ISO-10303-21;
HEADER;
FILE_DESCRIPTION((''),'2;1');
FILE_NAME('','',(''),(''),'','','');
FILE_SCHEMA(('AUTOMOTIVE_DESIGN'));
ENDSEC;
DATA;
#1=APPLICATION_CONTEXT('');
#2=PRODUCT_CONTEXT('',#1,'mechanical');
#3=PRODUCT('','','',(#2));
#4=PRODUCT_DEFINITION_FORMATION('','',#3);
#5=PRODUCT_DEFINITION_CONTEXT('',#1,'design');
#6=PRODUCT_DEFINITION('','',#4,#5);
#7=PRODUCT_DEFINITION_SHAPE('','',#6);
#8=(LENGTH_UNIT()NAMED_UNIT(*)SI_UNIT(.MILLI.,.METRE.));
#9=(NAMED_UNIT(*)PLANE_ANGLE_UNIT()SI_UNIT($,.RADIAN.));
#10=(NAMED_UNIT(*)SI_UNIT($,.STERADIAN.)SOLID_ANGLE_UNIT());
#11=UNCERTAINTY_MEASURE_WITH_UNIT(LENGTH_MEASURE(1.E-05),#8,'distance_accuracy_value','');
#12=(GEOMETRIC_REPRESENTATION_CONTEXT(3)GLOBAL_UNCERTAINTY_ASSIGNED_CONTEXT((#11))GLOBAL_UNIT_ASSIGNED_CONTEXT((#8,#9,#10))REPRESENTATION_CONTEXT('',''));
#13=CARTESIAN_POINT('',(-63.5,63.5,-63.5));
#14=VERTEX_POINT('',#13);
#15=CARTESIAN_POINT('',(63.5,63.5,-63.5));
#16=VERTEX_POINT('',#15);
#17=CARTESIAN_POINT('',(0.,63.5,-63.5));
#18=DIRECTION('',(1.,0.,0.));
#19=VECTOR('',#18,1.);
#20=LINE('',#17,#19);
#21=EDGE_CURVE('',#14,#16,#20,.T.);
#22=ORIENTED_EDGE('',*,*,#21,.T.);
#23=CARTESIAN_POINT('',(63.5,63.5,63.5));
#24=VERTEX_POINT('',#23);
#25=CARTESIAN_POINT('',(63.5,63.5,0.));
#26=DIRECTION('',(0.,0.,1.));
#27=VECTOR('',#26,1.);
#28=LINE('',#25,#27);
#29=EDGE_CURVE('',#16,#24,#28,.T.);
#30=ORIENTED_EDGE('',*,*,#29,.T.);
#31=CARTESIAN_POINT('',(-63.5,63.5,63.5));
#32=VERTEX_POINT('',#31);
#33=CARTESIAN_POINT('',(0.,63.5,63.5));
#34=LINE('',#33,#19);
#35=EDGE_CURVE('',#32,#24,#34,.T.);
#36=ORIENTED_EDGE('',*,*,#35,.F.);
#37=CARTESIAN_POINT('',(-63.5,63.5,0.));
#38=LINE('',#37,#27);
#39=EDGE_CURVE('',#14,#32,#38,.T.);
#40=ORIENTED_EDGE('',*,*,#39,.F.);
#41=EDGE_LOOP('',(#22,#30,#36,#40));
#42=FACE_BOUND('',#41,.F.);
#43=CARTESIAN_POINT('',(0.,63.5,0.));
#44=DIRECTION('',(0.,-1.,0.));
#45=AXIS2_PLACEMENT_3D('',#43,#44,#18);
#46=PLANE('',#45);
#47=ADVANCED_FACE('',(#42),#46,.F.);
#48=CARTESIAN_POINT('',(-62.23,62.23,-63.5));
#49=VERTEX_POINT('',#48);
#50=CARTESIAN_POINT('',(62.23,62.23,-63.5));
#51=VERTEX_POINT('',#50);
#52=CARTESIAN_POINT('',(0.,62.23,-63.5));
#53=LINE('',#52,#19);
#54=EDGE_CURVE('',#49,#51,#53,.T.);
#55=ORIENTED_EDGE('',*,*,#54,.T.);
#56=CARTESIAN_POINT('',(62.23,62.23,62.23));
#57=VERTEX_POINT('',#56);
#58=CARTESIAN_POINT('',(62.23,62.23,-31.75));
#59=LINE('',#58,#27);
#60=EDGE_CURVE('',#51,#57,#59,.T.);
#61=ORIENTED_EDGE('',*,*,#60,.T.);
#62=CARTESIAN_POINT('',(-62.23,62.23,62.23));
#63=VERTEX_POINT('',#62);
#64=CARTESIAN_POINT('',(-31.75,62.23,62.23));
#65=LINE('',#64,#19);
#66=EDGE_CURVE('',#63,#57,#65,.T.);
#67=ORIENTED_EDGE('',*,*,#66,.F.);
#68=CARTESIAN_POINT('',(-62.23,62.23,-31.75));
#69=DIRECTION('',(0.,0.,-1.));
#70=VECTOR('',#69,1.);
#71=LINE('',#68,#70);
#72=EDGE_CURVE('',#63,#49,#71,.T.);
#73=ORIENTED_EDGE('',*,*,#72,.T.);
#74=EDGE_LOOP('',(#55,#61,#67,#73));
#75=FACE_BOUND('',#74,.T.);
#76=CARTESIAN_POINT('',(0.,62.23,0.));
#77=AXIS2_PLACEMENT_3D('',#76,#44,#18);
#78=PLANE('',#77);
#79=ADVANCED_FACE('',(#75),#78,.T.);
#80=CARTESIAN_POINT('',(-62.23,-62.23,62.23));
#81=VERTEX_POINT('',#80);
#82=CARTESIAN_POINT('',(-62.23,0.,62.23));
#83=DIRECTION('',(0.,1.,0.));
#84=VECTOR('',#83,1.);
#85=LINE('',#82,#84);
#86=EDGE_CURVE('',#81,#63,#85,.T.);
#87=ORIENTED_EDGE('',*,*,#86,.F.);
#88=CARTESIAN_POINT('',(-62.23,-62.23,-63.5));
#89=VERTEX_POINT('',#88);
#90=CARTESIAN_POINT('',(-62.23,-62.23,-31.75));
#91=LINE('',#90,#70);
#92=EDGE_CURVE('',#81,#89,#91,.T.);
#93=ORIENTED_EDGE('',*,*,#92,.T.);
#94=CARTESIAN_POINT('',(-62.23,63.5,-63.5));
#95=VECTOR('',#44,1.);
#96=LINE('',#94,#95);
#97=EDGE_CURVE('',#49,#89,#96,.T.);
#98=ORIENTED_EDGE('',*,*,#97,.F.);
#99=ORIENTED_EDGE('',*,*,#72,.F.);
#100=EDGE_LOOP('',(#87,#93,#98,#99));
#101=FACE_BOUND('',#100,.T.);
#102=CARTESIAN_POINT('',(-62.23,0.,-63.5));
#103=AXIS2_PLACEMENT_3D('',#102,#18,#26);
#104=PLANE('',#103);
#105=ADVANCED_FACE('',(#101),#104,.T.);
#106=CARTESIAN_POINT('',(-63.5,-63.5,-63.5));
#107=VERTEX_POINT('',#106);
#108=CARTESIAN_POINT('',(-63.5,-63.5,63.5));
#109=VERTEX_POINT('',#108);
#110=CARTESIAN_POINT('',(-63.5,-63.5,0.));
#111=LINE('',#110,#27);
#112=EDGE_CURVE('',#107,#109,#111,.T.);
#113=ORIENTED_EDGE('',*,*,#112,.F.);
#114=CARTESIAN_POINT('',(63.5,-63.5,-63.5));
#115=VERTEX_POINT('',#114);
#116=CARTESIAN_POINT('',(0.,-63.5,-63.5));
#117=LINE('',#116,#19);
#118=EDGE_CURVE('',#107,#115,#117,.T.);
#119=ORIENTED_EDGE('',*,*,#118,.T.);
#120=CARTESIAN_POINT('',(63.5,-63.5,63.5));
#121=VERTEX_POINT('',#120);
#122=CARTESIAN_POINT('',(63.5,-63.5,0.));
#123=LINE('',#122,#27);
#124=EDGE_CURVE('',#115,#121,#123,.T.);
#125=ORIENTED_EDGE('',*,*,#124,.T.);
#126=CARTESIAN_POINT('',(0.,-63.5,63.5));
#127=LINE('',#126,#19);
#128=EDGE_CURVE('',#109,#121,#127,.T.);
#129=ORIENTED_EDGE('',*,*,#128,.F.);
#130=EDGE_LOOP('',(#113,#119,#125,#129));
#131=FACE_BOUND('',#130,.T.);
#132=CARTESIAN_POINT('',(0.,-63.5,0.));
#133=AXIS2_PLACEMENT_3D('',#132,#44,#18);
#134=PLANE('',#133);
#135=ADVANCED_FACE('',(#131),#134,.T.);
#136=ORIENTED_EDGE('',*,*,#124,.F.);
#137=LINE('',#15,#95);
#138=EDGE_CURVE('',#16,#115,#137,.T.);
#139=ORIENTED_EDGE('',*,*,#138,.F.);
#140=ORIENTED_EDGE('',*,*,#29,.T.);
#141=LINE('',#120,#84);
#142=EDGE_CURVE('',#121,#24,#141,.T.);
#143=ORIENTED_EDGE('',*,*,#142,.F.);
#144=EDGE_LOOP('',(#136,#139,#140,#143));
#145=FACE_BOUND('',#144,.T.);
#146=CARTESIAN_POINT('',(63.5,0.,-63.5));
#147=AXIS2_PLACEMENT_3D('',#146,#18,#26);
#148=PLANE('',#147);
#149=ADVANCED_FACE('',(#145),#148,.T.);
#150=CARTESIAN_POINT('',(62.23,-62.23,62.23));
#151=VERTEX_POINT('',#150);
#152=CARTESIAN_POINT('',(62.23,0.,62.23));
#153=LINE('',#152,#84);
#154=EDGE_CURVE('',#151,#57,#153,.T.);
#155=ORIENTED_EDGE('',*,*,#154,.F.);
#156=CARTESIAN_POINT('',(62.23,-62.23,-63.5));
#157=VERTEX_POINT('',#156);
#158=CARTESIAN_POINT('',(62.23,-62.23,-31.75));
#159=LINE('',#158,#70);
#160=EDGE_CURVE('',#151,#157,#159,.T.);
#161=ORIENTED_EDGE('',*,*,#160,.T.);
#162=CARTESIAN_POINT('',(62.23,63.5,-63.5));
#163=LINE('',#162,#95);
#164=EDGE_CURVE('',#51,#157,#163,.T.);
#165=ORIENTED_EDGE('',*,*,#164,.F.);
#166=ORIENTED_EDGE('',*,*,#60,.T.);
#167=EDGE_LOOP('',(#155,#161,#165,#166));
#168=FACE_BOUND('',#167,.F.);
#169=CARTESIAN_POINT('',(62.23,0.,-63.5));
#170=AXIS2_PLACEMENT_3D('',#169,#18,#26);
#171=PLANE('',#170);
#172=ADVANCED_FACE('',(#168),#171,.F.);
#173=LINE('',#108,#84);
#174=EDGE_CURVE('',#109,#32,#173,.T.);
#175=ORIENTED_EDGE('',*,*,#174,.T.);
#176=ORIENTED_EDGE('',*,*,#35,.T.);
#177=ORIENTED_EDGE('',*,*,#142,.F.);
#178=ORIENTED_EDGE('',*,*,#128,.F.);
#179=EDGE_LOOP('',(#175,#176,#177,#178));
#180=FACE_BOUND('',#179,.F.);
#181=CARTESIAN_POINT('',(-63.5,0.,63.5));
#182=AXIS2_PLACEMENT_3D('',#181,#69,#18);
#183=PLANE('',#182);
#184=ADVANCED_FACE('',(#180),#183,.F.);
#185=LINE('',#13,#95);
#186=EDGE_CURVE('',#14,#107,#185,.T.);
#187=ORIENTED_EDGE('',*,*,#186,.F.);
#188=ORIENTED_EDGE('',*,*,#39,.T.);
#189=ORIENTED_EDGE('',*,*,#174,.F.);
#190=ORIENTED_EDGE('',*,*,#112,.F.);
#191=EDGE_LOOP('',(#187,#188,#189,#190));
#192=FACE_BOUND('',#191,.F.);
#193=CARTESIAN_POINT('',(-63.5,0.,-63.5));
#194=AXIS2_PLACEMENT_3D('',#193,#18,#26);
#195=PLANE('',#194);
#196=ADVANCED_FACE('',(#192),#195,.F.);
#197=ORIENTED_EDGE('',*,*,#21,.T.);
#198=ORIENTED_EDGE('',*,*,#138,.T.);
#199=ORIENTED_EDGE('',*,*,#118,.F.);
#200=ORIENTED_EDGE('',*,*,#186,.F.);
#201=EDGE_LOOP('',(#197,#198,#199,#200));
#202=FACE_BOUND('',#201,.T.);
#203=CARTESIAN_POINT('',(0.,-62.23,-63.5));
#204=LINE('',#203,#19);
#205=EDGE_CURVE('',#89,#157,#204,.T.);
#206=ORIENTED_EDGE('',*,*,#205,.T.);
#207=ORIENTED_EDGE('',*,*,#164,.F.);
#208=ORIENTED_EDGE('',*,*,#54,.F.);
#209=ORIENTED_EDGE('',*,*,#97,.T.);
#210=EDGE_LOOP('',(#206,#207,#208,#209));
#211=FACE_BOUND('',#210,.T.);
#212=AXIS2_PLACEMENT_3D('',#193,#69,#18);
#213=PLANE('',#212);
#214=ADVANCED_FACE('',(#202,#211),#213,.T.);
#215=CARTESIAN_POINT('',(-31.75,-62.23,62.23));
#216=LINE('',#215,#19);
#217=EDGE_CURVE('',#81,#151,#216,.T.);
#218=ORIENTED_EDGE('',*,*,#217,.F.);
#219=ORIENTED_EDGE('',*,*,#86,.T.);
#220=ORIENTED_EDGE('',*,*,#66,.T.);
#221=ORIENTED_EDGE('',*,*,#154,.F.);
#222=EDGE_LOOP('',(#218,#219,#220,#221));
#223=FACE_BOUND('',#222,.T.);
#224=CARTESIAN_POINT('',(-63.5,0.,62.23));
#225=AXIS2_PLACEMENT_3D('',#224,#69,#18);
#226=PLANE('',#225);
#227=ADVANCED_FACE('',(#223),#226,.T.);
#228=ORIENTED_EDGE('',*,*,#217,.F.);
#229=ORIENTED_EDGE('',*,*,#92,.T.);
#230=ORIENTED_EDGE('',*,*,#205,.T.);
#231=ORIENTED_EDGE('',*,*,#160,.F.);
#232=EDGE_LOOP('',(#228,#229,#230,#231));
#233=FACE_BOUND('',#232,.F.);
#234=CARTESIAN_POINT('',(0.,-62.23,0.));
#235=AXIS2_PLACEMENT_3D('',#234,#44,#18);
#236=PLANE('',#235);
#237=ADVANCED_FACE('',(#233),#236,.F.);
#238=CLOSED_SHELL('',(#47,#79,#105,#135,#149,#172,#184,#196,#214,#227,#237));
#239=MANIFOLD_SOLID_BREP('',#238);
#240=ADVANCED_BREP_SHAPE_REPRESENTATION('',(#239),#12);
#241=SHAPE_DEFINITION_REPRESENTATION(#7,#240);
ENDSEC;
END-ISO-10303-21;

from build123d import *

# Parameters (mm, degrees)
F0_W     = 127
F0_H     = 127
F1_DEPTH = 63.5
F2_T     = -1.27


with BuildPart() as f1:
    # F0 (on Front) → F1 (new body, symmetric)
    with BuildSketch(Plane.XZ):
        Rectangle(F0_W, F0_H)
    extrude(amount=F1_DEPTH, both=True)

    # F2
    f2_openings = [f1.faces().sort_by_distance(p)[0] for p in [
        (0, 0, -63.5),
    ]]
    offset(amount=F2_T, openings=f2_openings)


solid = f1.part
